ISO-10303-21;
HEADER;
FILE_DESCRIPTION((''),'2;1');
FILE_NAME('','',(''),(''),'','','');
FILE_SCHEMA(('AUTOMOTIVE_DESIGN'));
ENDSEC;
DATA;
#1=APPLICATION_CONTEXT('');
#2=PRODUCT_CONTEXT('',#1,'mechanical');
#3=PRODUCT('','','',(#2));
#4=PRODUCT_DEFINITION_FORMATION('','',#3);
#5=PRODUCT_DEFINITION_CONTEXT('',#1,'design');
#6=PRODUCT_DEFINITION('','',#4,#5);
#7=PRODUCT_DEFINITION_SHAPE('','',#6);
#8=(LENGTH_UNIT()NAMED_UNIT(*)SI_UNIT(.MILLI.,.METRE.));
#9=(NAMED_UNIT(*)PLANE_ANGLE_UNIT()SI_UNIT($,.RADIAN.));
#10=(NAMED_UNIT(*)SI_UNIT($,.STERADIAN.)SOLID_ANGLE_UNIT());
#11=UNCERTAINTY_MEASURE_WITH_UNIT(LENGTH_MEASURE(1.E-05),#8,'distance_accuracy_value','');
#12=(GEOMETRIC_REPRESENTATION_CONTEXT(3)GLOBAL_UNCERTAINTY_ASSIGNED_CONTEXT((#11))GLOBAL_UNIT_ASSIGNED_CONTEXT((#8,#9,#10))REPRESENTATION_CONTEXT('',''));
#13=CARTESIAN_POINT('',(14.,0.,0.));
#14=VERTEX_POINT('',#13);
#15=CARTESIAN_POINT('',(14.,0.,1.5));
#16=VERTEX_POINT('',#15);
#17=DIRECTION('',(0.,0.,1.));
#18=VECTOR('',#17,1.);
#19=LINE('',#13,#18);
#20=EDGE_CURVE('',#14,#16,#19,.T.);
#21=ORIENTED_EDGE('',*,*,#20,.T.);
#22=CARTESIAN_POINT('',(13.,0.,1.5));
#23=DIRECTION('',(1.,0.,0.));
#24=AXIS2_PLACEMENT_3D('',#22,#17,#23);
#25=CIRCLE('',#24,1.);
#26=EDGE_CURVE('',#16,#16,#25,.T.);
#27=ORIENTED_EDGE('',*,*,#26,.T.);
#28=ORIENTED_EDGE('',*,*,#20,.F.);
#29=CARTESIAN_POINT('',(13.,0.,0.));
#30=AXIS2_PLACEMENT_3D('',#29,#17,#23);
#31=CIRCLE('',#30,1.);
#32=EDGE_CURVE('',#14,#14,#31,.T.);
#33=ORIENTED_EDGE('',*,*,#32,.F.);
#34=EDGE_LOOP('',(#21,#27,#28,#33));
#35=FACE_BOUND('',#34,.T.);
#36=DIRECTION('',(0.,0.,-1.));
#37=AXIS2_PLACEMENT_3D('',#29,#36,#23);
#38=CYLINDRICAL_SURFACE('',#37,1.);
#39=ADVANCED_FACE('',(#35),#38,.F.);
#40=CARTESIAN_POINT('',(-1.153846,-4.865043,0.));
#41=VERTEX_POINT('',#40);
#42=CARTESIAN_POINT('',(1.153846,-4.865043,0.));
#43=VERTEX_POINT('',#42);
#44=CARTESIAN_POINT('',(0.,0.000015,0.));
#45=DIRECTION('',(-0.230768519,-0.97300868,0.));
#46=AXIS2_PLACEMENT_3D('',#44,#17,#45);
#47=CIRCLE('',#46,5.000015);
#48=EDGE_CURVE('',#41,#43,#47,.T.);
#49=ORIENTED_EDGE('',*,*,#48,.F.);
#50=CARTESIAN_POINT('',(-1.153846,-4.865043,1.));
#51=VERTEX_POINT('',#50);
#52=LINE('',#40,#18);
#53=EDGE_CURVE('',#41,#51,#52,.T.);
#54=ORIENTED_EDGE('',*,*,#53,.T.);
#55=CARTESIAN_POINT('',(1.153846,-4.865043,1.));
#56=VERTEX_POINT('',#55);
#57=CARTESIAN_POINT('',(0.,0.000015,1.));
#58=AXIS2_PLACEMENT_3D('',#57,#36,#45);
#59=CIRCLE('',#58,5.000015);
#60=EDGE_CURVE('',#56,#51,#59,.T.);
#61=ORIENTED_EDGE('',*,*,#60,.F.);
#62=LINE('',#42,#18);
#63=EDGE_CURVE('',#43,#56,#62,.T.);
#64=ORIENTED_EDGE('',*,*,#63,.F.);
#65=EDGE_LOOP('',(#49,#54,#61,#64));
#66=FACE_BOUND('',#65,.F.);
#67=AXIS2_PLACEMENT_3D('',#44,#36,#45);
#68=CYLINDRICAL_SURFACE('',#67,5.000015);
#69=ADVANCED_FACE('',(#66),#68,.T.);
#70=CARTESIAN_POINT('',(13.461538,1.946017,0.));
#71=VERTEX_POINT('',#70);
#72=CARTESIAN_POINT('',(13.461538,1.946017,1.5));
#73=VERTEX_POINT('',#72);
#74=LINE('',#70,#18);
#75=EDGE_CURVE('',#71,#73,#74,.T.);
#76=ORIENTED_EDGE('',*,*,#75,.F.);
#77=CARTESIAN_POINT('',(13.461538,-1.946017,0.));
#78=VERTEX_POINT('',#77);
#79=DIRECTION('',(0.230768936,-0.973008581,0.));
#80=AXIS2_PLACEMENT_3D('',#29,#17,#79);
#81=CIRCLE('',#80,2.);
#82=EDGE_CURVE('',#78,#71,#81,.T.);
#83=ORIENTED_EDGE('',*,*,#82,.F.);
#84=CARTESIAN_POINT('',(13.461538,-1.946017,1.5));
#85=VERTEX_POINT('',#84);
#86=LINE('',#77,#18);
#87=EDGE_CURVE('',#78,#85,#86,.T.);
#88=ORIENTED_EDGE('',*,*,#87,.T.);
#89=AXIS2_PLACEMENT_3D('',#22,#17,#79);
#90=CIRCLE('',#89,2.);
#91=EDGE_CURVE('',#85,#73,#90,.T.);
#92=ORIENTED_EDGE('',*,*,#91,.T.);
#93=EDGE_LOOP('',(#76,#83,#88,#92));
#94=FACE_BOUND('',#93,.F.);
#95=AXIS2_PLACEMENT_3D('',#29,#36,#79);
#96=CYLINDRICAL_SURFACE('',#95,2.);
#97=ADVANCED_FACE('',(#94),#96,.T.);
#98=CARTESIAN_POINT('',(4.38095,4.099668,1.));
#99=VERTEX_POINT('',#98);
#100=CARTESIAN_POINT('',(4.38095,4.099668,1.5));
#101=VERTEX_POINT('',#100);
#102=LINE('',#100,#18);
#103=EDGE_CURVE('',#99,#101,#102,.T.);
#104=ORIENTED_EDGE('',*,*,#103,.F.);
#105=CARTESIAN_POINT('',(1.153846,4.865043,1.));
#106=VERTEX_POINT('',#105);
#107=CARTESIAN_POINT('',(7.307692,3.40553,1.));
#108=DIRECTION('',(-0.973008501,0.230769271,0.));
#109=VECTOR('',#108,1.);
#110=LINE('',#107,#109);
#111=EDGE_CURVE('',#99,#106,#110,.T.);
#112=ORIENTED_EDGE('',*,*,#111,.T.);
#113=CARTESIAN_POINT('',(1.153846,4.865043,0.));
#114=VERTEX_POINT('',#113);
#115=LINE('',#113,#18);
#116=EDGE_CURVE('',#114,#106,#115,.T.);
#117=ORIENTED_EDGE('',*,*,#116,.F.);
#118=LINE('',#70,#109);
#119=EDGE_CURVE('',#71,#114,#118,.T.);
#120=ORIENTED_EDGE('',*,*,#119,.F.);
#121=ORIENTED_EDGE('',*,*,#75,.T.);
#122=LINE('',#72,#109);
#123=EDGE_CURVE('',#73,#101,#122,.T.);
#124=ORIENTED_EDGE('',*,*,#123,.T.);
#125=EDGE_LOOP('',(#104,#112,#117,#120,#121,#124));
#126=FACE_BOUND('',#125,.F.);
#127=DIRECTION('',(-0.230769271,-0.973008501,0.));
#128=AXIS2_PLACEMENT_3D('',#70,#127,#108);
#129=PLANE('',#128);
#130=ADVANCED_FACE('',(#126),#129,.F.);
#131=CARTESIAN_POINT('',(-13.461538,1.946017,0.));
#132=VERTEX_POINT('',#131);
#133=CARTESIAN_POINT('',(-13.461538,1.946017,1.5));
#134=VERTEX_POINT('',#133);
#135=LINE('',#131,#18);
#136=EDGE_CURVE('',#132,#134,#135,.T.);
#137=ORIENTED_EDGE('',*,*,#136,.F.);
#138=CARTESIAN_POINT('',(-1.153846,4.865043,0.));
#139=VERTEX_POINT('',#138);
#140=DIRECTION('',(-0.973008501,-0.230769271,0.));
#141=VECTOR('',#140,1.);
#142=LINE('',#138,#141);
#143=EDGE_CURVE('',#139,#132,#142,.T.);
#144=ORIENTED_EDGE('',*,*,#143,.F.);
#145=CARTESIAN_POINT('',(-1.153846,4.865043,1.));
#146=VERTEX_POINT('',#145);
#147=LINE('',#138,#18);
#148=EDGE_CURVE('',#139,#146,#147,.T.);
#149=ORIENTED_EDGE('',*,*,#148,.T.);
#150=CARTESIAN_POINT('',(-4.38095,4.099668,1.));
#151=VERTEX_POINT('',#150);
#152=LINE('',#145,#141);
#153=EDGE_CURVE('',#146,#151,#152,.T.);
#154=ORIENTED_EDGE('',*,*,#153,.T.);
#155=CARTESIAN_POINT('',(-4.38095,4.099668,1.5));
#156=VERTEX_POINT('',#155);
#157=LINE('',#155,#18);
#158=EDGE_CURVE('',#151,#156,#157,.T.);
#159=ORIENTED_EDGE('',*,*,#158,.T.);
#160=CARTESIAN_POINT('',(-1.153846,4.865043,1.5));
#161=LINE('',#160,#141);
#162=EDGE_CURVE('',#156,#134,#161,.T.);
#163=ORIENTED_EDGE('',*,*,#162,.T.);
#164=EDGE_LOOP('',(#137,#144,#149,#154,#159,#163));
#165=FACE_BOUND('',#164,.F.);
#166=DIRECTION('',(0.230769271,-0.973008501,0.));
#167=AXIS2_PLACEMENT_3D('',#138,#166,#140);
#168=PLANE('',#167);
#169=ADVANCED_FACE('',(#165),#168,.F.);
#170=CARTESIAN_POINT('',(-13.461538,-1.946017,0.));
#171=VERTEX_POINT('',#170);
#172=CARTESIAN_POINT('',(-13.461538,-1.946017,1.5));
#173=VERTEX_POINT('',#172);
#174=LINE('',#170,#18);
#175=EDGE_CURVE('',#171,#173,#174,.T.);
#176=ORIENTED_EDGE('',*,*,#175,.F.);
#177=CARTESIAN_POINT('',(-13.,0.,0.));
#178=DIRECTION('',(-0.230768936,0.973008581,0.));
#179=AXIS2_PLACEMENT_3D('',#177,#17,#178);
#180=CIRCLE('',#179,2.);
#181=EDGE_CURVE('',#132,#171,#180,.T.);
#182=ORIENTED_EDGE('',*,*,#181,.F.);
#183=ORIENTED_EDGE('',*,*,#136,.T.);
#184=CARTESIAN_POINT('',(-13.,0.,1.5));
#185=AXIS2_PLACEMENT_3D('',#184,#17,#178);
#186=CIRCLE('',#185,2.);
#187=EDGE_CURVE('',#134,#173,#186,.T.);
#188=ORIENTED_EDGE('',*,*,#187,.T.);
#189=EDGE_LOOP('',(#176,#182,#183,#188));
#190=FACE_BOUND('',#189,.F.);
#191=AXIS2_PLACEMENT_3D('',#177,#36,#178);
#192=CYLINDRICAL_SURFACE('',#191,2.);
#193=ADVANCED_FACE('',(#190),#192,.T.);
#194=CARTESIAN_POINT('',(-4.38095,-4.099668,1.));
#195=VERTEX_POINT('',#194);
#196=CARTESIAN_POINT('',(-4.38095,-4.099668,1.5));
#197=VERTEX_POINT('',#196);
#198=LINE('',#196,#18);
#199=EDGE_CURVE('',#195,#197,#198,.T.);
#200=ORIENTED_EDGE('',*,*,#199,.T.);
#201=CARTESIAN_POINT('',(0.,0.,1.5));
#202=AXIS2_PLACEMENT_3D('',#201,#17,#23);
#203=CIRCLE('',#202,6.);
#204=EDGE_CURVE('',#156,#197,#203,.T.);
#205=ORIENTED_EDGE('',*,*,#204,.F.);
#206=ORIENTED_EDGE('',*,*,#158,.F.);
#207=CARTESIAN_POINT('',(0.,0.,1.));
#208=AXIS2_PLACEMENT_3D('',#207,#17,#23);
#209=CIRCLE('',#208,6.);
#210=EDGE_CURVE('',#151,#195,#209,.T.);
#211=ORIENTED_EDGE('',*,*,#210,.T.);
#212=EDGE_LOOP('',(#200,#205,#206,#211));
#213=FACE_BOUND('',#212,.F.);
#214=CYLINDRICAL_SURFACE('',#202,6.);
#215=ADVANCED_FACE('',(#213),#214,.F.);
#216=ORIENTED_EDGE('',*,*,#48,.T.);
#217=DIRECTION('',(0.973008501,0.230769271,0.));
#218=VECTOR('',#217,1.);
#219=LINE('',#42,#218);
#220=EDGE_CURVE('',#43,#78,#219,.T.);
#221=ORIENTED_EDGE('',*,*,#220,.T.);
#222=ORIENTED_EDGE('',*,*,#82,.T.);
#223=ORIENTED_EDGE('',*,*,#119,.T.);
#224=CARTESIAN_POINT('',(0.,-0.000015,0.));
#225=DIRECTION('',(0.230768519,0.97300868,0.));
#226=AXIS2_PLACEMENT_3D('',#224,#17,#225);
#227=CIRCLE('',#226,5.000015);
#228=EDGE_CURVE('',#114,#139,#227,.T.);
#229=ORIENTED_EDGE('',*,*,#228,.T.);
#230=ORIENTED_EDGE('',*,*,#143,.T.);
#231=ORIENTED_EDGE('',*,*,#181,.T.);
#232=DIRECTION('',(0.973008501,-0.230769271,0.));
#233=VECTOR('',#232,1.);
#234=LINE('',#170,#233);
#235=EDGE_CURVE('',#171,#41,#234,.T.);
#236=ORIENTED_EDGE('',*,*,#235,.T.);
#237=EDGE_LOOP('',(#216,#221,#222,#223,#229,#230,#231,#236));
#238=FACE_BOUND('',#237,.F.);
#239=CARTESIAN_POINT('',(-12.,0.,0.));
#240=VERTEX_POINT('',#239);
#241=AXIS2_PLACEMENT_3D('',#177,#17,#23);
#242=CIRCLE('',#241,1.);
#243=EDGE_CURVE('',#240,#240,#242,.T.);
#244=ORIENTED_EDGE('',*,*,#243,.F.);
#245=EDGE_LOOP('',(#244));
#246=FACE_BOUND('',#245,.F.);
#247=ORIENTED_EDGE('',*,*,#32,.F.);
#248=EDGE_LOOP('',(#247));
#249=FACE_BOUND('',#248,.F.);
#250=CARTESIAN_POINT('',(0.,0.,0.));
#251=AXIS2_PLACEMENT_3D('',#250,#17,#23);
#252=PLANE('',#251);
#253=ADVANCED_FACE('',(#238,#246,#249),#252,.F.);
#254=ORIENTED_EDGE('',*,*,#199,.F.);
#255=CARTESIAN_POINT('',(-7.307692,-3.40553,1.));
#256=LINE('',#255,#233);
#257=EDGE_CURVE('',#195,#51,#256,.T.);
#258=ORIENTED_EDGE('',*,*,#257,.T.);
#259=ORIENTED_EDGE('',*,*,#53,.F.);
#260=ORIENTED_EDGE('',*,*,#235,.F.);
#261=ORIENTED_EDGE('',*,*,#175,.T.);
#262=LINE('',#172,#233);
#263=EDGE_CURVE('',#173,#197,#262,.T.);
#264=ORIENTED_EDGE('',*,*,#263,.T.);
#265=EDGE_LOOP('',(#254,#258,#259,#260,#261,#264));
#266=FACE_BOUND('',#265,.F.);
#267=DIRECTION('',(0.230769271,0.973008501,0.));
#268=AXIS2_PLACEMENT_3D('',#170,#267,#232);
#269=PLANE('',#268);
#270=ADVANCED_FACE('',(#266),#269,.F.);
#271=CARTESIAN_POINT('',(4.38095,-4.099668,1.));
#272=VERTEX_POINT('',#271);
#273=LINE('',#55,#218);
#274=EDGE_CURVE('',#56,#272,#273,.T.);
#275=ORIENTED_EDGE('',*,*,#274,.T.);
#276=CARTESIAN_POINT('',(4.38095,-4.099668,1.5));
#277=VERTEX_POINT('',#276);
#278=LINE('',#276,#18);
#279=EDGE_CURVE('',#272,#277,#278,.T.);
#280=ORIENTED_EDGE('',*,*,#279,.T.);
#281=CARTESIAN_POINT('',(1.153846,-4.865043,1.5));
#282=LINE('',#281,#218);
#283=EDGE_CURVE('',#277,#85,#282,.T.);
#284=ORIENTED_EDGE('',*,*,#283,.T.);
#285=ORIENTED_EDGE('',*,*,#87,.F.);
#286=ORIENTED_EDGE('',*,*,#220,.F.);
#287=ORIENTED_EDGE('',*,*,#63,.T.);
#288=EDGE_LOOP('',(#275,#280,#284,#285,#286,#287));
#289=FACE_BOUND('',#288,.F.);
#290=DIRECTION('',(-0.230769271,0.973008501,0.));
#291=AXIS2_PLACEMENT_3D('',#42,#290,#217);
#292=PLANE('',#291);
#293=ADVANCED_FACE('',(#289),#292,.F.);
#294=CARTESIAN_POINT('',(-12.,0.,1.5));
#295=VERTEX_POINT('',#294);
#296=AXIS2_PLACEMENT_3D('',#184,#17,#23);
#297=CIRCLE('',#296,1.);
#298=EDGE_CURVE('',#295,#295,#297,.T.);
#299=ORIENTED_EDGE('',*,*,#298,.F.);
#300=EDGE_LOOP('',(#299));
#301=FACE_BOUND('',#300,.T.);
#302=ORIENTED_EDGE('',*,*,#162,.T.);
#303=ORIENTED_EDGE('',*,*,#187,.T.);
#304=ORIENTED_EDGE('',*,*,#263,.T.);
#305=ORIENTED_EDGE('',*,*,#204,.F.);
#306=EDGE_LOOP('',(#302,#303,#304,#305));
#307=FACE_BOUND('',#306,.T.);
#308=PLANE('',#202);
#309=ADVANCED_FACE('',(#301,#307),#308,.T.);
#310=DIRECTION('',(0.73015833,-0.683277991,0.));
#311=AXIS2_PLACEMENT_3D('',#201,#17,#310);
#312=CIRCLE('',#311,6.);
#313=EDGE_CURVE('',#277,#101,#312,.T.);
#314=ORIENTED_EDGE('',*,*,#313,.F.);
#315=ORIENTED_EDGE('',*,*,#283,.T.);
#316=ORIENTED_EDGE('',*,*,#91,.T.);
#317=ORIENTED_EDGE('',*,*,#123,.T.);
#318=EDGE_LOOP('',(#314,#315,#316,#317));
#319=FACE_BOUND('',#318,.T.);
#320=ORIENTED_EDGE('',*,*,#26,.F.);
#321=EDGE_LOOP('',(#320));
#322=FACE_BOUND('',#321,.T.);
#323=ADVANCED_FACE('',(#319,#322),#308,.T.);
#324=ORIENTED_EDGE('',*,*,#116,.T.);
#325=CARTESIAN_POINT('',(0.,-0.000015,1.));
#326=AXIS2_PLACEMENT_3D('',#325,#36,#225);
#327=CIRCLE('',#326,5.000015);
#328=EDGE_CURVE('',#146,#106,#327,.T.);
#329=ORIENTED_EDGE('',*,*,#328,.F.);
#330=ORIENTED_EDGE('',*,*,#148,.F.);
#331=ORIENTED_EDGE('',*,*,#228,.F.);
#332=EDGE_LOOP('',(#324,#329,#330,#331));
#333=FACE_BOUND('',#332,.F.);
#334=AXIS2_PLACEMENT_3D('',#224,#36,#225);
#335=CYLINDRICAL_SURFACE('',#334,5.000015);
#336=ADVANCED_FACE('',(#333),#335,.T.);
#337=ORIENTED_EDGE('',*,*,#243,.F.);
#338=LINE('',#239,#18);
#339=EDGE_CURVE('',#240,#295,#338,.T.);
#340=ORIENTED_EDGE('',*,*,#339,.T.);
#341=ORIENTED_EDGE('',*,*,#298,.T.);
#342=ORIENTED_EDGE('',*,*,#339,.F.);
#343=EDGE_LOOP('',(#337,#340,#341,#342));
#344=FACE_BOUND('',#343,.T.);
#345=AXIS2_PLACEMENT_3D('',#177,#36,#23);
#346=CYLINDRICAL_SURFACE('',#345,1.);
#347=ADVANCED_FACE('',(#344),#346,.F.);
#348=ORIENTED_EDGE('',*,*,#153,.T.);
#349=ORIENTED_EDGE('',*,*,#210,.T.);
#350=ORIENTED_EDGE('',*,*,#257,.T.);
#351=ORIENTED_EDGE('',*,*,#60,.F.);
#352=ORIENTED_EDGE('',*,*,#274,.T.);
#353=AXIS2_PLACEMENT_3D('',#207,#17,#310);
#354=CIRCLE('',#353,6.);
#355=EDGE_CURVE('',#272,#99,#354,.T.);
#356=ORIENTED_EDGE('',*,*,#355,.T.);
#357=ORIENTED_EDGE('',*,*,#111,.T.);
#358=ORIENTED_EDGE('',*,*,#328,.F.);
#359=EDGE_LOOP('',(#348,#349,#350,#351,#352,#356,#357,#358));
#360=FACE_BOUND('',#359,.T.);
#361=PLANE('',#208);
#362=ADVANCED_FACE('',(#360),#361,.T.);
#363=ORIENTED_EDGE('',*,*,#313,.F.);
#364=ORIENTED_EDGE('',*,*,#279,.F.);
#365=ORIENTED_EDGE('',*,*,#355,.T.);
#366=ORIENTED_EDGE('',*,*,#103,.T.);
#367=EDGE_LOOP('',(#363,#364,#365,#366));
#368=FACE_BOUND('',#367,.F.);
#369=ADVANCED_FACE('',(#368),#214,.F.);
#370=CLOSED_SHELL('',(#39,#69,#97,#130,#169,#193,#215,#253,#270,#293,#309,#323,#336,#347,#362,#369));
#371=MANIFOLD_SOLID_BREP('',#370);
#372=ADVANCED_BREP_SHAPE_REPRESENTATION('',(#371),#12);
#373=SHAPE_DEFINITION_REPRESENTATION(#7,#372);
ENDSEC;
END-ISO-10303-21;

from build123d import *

# Parameters (mm, degrees)
F0_R     = 1
F1_DEPTH = 1.5
F2_R     = 6
F3_DEPTH = 0.5


with BuildPart() as f1:
    # F0 (on Top) → F1 (new body)
    with BuildSketch(Plane.XY):
        with BuildLine():
            Line((13.461538, 1.946017), (1.153846, 4.865043))
            ThreePointArc((1.153846, 4.865043), (0, 5), (-1.153846, 4.865043))
            Line((-1.153846, 4.865043), (-13.461538, 1.946017))
            ThreePointArc((-13.461538, 1.946017), (-15, 0), (-13.461538, -1.946017))
            Line((-13.461538, -1.946017), (-1.153846, -4.865043))
            ThreePointArc((-1.153846, -4.865043), (0, -5), (1.153846, -4.865043))
            Line((1.153846, -4.865043), (13.461538, -1.946017))
            ThreePointArc((13.461538, -1.946017), (15, 0), (13.461538, 1.946017))
        make_face()
        with Locations((-13, 0)):
            Circle(F0_R, mode=Mode.SUBTRACT)
        with Locations((13, 0)):
            Circle(F0_R, mode=Mode.SUBTRACT)
    extrude(amount=F1_DEPTH)

    # F2 (on face) → F3 (cut)
    with BuildSketch(Plane.XY.offset(1.5)):
        Circle(F2_R)
    extrude(amount=-F3_DEPTH, mode=Mode.SUBTRACT)


solid = f1.part
